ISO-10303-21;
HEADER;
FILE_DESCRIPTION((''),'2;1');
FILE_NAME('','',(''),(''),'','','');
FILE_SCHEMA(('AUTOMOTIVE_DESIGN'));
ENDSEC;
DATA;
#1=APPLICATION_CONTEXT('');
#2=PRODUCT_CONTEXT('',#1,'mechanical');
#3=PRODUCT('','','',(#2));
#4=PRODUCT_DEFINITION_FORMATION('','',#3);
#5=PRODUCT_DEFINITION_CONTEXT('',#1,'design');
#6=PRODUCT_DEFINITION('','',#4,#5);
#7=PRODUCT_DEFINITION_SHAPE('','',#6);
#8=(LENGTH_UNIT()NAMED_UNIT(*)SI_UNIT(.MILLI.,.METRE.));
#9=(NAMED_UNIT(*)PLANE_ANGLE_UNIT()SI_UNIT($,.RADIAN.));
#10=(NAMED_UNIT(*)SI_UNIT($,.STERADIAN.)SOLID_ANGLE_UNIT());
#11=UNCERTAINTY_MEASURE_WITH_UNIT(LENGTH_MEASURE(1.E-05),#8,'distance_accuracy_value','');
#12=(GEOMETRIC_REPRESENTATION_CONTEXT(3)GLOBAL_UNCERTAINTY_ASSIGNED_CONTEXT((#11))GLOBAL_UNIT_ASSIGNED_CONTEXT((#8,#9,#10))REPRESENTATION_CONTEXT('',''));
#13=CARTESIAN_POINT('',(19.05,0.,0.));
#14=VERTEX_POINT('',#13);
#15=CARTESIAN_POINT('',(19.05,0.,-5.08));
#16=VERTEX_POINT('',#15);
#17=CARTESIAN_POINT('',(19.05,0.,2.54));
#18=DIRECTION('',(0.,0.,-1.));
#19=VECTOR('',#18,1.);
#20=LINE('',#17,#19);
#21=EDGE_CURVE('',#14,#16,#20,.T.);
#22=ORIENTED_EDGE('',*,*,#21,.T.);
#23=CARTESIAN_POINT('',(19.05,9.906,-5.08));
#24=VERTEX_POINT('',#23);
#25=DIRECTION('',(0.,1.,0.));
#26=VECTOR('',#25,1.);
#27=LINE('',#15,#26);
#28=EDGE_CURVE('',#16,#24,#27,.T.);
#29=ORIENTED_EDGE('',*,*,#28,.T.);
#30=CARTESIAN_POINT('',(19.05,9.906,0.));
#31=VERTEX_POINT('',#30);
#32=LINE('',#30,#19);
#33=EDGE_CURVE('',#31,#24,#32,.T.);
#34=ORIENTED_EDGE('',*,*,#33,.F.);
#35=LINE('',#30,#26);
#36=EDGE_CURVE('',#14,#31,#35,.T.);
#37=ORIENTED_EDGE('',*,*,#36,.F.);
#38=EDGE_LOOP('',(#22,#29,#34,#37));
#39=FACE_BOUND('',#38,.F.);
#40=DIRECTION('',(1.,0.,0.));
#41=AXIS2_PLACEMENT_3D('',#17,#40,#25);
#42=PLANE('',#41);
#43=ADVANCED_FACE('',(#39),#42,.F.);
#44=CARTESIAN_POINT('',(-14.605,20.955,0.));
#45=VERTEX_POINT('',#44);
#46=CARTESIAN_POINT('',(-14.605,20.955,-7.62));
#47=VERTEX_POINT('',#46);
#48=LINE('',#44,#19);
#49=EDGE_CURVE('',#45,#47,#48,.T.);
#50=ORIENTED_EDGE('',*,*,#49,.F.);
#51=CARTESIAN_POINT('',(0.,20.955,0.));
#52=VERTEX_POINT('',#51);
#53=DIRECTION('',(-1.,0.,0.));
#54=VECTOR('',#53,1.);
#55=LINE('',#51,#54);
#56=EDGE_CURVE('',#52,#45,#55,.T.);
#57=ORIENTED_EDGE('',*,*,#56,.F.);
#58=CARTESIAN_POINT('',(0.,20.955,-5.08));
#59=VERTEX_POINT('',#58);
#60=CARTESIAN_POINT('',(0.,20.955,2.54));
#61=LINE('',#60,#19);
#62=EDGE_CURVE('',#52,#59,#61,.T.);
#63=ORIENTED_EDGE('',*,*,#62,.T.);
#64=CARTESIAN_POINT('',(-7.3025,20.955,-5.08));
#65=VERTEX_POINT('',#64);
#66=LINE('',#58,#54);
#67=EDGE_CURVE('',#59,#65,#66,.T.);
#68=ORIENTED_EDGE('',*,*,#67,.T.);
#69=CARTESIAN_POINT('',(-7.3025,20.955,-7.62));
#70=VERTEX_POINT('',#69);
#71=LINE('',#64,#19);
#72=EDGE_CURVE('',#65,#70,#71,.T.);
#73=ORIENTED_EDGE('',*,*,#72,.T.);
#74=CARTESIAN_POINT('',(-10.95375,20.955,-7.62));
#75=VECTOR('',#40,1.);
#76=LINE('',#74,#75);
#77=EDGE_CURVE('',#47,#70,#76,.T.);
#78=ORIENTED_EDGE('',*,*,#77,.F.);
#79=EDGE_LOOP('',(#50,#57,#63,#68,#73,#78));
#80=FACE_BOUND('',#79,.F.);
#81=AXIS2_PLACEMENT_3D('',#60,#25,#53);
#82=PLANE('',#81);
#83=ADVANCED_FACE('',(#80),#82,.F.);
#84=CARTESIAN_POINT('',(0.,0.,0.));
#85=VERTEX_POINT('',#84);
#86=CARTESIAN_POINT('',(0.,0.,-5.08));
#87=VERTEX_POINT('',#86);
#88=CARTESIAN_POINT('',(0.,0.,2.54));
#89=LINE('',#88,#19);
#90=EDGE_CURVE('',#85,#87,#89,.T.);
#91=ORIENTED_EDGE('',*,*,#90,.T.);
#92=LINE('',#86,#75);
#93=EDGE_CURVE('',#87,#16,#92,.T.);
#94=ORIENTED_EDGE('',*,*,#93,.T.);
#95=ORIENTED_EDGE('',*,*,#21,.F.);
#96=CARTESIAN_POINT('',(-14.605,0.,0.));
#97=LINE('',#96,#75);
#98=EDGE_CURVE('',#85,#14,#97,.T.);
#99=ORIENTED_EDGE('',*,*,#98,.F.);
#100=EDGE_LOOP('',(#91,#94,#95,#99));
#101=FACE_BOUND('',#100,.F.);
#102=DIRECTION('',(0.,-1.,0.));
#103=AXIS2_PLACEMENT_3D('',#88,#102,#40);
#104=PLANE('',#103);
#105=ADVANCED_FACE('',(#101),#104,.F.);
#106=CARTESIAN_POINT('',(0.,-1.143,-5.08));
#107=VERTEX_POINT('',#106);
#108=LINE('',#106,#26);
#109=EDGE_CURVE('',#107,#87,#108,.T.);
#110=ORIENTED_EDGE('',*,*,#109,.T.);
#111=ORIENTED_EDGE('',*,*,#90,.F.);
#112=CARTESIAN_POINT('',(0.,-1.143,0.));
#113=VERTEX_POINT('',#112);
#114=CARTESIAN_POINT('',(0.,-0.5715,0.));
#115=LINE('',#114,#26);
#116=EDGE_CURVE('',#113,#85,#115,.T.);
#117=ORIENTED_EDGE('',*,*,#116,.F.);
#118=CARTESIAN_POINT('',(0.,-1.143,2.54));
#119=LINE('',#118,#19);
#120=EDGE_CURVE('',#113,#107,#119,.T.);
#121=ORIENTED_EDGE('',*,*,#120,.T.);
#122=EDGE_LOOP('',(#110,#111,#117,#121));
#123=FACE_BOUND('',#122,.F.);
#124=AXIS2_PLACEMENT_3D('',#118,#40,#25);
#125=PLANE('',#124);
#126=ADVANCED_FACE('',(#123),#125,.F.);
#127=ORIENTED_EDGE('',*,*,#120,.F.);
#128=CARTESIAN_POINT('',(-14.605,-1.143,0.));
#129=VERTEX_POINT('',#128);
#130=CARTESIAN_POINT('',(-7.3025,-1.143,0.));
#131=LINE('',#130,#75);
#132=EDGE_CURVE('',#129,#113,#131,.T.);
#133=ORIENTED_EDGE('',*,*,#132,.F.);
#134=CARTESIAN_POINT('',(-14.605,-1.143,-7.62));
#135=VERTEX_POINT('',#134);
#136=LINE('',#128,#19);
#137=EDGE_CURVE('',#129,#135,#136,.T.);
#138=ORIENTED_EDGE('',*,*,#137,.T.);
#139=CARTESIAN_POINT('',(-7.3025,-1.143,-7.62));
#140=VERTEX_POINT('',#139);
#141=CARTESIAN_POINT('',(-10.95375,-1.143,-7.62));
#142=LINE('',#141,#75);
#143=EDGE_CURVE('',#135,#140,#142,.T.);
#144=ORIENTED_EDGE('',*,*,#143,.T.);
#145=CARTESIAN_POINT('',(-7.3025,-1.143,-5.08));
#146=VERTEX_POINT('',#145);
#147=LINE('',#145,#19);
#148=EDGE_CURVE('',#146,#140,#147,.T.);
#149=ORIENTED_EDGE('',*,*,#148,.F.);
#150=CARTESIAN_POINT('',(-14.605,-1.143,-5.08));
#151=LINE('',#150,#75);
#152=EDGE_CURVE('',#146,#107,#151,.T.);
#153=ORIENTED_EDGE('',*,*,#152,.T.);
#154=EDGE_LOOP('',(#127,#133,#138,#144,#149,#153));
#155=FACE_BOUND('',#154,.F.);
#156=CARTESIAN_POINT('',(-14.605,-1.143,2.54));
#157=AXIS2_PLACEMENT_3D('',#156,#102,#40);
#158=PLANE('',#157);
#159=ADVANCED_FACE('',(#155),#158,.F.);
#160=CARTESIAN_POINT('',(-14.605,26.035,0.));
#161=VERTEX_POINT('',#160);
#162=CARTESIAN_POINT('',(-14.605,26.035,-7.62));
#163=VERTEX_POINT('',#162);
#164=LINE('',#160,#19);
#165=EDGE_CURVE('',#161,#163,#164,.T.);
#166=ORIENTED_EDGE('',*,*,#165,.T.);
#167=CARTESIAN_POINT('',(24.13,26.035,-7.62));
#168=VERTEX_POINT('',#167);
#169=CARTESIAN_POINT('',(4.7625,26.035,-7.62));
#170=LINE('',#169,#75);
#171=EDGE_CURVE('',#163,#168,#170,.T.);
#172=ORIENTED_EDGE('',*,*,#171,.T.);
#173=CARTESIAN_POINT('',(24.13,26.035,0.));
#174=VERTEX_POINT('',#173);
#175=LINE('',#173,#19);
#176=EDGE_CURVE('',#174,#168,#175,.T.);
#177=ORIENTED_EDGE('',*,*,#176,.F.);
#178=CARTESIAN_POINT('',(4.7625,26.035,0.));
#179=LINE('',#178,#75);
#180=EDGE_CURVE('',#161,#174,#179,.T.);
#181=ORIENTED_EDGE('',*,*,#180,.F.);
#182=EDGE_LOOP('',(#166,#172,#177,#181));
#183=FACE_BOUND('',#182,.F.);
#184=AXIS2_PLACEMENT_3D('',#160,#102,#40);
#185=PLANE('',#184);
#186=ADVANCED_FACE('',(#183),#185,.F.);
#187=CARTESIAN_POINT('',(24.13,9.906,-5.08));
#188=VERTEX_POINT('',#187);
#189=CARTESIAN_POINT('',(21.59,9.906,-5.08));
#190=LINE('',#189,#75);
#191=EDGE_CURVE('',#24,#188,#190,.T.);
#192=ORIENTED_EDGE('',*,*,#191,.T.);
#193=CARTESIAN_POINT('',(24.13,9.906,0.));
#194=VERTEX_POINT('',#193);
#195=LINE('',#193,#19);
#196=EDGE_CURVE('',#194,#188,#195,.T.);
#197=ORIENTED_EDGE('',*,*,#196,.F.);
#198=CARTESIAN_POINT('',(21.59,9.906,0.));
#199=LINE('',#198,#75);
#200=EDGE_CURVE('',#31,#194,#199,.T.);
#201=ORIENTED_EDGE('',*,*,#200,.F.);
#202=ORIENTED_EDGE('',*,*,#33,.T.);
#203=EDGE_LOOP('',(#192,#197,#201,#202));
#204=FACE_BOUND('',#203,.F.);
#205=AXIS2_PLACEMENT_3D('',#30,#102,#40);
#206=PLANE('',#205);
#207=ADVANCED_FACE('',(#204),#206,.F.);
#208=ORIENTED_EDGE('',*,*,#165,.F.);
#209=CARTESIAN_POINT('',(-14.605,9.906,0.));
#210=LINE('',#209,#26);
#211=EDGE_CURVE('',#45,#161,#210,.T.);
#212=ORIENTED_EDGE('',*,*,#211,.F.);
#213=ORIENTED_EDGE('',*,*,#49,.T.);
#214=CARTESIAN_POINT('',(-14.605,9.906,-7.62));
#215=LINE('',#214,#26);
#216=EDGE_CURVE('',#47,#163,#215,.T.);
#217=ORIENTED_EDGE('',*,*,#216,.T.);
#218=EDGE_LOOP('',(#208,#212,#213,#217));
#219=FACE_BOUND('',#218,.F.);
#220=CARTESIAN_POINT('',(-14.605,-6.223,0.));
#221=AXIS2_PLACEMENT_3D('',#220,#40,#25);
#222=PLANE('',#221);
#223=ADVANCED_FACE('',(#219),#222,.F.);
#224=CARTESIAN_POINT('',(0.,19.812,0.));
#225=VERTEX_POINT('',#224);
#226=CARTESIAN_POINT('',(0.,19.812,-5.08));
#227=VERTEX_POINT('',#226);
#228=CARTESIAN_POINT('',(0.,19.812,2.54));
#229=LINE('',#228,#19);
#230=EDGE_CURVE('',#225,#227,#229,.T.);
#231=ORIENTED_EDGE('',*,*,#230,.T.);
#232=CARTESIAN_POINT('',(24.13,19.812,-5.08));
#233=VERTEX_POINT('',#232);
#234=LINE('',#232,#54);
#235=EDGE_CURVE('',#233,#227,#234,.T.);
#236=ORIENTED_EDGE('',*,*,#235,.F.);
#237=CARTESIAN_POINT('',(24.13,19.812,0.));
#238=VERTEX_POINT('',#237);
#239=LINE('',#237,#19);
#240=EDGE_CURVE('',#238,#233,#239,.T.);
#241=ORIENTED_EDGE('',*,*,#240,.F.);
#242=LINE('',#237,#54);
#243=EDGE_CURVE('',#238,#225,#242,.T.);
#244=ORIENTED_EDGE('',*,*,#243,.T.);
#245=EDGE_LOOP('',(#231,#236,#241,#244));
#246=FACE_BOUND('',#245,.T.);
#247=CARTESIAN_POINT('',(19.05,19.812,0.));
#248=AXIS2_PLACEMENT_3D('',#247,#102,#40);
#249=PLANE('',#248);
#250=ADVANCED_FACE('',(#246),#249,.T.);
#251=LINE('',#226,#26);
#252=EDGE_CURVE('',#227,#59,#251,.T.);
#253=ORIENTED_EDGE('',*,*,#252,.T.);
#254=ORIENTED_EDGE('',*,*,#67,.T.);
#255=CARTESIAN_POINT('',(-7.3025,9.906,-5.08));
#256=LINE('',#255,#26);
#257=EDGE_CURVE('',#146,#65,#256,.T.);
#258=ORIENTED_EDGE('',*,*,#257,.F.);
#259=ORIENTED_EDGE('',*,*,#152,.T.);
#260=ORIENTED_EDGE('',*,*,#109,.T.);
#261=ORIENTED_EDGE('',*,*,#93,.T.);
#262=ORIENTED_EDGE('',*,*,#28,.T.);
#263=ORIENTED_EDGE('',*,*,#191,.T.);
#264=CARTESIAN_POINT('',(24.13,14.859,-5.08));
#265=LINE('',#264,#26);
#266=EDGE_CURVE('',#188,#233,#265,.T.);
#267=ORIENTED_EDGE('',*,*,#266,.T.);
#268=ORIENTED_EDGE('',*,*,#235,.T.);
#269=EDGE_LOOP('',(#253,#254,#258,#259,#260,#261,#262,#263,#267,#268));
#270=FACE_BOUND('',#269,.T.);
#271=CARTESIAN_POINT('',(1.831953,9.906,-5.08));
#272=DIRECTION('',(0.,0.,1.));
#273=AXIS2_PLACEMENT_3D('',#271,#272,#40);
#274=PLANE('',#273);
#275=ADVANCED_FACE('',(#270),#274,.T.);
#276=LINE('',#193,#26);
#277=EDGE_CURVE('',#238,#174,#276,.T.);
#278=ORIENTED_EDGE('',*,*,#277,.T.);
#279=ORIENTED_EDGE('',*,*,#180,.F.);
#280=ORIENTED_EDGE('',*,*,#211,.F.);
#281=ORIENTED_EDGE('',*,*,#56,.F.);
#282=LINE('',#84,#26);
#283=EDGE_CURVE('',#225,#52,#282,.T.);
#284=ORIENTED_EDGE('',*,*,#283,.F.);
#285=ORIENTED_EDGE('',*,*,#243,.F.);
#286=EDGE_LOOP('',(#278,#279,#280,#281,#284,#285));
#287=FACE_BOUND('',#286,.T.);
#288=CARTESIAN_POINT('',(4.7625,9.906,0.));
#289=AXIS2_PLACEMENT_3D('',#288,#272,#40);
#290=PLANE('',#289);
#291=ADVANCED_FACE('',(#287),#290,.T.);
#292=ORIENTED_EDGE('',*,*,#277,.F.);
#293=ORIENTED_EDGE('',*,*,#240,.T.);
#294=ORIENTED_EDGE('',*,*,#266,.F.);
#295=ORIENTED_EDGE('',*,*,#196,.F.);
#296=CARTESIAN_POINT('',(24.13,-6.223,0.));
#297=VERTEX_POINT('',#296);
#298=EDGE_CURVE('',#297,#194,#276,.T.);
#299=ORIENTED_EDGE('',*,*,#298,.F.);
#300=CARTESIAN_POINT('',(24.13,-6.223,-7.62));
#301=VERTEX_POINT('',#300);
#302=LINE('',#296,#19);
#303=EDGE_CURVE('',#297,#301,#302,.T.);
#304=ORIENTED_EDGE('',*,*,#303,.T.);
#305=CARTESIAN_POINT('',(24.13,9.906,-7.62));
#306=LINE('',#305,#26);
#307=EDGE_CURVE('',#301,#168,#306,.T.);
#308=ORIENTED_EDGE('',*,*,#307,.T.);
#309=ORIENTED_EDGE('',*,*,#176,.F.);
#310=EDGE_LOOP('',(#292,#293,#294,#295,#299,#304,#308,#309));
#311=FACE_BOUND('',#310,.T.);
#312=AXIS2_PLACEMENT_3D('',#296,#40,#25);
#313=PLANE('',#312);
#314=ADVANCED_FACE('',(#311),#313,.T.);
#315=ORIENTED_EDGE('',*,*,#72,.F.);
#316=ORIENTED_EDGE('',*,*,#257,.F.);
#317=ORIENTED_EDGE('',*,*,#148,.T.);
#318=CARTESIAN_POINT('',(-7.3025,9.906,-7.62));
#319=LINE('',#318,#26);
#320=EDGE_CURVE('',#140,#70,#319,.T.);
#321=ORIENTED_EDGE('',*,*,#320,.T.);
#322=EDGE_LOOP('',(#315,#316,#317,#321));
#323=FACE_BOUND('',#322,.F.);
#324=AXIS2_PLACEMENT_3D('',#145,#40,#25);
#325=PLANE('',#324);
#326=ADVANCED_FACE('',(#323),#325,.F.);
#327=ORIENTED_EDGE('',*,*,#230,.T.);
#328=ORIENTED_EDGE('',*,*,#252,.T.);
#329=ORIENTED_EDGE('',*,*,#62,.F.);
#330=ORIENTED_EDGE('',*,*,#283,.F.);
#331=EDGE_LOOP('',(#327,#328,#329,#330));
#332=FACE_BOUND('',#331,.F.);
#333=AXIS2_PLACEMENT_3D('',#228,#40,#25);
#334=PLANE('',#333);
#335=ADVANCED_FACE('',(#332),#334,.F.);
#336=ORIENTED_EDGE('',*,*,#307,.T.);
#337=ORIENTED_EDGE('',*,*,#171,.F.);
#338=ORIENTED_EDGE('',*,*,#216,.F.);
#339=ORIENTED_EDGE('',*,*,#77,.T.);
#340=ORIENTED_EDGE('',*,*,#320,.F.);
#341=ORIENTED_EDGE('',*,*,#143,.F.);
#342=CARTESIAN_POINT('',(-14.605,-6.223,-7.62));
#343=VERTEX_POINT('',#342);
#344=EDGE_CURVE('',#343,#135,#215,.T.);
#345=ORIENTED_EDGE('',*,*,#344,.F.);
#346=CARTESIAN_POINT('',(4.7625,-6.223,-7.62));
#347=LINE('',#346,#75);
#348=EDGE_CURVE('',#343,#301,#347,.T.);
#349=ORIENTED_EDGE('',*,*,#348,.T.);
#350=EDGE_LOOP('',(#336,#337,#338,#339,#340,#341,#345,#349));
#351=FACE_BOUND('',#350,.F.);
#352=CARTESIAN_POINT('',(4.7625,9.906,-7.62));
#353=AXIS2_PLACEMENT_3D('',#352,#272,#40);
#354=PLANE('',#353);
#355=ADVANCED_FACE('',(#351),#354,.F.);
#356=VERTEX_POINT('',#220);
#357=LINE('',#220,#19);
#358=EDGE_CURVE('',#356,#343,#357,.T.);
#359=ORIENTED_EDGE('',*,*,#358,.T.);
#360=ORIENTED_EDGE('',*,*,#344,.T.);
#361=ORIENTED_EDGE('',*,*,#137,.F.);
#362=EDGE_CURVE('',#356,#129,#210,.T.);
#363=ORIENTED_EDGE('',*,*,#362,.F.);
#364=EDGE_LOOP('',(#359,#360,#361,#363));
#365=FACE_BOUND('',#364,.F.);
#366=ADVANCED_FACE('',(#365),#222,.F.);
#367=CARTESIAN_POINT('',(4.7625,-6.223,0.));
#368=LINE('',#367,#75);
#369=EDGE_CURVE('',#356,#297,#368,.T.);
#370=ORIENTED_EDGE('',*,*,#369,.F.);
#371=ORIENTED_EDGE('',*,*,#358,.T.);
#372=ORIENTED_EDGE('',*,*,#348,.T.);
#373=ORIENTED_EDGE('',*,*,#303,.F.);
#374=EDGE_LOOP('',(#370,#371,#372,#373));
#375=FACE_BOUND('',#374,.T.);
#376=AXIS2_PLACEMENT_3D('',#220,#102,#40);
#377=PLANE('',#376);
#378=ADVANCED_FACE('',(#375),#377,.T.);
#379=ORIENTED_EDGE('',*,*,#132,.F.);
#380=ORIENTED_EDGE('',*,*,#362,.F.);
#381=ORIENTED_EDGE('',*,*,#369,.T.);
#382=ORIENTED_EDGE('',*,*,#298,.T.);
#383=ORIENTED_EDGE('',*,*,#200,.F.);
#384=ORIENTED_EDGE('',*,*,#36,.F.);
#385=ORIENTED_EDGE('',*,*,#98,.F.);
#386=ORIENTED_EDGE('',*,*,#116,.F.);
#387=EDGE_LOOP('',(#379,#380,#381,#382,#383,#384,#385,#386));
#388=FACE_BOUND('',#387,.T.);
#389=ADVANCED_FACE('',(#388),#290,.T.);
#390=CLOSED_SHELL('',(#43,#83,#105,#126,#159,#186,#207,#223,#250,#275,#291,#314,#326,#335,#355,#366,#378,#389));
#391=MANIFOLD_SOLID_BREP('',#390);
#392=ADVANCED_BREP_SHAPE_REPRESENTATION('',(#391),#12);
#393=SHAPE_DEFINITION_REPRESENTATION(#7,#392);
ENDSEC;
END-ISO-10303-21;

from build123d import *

# Parameters (mm, degrees)
F0_W      = 19.05
F0_H      = 19.812
F1_DEPTH  = 2.54
F2_DEPTH  = 2.54
F0_W_2    = 14.605
F0_H_2    = 1.143
F3_DEPTH  = 2.54
F4_W      = 38.735
F4_H      = 32.258
F5_DEPTH  = 7.62
F6_DEPTH  = 7.62
F7_W      = 7.3025
F7_H      = 22.098
F8_DEPTH  = 2.54
F9_W      = 5.08
F9_H      = 9.906
F10_DEPTH = 5.08


with BuildPart() as f1:
    # F0 (on Top) → F1 (new body)
    with BuildSketch(Plane.XY):
        with Locations((9.525, 9.906)):
            Rectangle(F0_W, F0_H)
    extrude(amount=F1_DEPTH)

    # F0 (on Top) → F2 (join)
    with BuildSketch(Plane.XY):
        Polygon((-14.605, 0), (0, 0), (0, 19.812), (0, 20.955), (-14.605, 20.955), align=None)
    extrude(amount=F2_DEPTH)

    # F0 (on Top) → F3 (join)
    with BuildSketch(Plane.XY):
        with Locations((-7.3025, -0.5715)):
            Rectangle(F0_W_2, F0_H_2)
    extrude(amount=F3_DEPTH)

    # F4 (on Top) → F5 (join)
    with BuildSketch(Plane.XY):
        with Locations((4.7625, 9.906)):
            Rectangle(F4_W, F4_H)
    extrude(amount=-F5_DEPTH)

    # F3_face (on face) → F6 (cut)
    with BuildSketch(Plane(origin=(1.768302, 9.906, 2.54), x_dir=(1, 0, 0), z_dir=(0, 0, 1))):
        Polygon((-1.768302, -9.906), (17.281698, -9.906), (17.281698, 9.906), (-1.768302, 9.906), (-1.768302, 11.049), (-16.373302, 11.049), (-16.373302, -11.049), (-1.768302, -11.049), align=None)
    extrude(amount=-F6_DEPTH, mode=Mode.SUBTRACT)

    # F7 (on face) → F8 (cut)
    with BuildSketch(Plane.XY.offset(-5.08)):
        with Locations((-10.95375, 9.906)):
            Rectangle(F7_W, F7_H)
    extrude(amount=-F8_DEPTH, mode=Mode.SUBTRACT)

    # F9 (on face) → F10 (cut)
    with BuildSketch(Plane.XY):
        with Locations((21.59, 14.859)):
            Rectangle(F9_W, F9_H)
    extrude(amount=-F10_DEPTH, mode=Mode.SUBTRACT)


solid = f1.part
